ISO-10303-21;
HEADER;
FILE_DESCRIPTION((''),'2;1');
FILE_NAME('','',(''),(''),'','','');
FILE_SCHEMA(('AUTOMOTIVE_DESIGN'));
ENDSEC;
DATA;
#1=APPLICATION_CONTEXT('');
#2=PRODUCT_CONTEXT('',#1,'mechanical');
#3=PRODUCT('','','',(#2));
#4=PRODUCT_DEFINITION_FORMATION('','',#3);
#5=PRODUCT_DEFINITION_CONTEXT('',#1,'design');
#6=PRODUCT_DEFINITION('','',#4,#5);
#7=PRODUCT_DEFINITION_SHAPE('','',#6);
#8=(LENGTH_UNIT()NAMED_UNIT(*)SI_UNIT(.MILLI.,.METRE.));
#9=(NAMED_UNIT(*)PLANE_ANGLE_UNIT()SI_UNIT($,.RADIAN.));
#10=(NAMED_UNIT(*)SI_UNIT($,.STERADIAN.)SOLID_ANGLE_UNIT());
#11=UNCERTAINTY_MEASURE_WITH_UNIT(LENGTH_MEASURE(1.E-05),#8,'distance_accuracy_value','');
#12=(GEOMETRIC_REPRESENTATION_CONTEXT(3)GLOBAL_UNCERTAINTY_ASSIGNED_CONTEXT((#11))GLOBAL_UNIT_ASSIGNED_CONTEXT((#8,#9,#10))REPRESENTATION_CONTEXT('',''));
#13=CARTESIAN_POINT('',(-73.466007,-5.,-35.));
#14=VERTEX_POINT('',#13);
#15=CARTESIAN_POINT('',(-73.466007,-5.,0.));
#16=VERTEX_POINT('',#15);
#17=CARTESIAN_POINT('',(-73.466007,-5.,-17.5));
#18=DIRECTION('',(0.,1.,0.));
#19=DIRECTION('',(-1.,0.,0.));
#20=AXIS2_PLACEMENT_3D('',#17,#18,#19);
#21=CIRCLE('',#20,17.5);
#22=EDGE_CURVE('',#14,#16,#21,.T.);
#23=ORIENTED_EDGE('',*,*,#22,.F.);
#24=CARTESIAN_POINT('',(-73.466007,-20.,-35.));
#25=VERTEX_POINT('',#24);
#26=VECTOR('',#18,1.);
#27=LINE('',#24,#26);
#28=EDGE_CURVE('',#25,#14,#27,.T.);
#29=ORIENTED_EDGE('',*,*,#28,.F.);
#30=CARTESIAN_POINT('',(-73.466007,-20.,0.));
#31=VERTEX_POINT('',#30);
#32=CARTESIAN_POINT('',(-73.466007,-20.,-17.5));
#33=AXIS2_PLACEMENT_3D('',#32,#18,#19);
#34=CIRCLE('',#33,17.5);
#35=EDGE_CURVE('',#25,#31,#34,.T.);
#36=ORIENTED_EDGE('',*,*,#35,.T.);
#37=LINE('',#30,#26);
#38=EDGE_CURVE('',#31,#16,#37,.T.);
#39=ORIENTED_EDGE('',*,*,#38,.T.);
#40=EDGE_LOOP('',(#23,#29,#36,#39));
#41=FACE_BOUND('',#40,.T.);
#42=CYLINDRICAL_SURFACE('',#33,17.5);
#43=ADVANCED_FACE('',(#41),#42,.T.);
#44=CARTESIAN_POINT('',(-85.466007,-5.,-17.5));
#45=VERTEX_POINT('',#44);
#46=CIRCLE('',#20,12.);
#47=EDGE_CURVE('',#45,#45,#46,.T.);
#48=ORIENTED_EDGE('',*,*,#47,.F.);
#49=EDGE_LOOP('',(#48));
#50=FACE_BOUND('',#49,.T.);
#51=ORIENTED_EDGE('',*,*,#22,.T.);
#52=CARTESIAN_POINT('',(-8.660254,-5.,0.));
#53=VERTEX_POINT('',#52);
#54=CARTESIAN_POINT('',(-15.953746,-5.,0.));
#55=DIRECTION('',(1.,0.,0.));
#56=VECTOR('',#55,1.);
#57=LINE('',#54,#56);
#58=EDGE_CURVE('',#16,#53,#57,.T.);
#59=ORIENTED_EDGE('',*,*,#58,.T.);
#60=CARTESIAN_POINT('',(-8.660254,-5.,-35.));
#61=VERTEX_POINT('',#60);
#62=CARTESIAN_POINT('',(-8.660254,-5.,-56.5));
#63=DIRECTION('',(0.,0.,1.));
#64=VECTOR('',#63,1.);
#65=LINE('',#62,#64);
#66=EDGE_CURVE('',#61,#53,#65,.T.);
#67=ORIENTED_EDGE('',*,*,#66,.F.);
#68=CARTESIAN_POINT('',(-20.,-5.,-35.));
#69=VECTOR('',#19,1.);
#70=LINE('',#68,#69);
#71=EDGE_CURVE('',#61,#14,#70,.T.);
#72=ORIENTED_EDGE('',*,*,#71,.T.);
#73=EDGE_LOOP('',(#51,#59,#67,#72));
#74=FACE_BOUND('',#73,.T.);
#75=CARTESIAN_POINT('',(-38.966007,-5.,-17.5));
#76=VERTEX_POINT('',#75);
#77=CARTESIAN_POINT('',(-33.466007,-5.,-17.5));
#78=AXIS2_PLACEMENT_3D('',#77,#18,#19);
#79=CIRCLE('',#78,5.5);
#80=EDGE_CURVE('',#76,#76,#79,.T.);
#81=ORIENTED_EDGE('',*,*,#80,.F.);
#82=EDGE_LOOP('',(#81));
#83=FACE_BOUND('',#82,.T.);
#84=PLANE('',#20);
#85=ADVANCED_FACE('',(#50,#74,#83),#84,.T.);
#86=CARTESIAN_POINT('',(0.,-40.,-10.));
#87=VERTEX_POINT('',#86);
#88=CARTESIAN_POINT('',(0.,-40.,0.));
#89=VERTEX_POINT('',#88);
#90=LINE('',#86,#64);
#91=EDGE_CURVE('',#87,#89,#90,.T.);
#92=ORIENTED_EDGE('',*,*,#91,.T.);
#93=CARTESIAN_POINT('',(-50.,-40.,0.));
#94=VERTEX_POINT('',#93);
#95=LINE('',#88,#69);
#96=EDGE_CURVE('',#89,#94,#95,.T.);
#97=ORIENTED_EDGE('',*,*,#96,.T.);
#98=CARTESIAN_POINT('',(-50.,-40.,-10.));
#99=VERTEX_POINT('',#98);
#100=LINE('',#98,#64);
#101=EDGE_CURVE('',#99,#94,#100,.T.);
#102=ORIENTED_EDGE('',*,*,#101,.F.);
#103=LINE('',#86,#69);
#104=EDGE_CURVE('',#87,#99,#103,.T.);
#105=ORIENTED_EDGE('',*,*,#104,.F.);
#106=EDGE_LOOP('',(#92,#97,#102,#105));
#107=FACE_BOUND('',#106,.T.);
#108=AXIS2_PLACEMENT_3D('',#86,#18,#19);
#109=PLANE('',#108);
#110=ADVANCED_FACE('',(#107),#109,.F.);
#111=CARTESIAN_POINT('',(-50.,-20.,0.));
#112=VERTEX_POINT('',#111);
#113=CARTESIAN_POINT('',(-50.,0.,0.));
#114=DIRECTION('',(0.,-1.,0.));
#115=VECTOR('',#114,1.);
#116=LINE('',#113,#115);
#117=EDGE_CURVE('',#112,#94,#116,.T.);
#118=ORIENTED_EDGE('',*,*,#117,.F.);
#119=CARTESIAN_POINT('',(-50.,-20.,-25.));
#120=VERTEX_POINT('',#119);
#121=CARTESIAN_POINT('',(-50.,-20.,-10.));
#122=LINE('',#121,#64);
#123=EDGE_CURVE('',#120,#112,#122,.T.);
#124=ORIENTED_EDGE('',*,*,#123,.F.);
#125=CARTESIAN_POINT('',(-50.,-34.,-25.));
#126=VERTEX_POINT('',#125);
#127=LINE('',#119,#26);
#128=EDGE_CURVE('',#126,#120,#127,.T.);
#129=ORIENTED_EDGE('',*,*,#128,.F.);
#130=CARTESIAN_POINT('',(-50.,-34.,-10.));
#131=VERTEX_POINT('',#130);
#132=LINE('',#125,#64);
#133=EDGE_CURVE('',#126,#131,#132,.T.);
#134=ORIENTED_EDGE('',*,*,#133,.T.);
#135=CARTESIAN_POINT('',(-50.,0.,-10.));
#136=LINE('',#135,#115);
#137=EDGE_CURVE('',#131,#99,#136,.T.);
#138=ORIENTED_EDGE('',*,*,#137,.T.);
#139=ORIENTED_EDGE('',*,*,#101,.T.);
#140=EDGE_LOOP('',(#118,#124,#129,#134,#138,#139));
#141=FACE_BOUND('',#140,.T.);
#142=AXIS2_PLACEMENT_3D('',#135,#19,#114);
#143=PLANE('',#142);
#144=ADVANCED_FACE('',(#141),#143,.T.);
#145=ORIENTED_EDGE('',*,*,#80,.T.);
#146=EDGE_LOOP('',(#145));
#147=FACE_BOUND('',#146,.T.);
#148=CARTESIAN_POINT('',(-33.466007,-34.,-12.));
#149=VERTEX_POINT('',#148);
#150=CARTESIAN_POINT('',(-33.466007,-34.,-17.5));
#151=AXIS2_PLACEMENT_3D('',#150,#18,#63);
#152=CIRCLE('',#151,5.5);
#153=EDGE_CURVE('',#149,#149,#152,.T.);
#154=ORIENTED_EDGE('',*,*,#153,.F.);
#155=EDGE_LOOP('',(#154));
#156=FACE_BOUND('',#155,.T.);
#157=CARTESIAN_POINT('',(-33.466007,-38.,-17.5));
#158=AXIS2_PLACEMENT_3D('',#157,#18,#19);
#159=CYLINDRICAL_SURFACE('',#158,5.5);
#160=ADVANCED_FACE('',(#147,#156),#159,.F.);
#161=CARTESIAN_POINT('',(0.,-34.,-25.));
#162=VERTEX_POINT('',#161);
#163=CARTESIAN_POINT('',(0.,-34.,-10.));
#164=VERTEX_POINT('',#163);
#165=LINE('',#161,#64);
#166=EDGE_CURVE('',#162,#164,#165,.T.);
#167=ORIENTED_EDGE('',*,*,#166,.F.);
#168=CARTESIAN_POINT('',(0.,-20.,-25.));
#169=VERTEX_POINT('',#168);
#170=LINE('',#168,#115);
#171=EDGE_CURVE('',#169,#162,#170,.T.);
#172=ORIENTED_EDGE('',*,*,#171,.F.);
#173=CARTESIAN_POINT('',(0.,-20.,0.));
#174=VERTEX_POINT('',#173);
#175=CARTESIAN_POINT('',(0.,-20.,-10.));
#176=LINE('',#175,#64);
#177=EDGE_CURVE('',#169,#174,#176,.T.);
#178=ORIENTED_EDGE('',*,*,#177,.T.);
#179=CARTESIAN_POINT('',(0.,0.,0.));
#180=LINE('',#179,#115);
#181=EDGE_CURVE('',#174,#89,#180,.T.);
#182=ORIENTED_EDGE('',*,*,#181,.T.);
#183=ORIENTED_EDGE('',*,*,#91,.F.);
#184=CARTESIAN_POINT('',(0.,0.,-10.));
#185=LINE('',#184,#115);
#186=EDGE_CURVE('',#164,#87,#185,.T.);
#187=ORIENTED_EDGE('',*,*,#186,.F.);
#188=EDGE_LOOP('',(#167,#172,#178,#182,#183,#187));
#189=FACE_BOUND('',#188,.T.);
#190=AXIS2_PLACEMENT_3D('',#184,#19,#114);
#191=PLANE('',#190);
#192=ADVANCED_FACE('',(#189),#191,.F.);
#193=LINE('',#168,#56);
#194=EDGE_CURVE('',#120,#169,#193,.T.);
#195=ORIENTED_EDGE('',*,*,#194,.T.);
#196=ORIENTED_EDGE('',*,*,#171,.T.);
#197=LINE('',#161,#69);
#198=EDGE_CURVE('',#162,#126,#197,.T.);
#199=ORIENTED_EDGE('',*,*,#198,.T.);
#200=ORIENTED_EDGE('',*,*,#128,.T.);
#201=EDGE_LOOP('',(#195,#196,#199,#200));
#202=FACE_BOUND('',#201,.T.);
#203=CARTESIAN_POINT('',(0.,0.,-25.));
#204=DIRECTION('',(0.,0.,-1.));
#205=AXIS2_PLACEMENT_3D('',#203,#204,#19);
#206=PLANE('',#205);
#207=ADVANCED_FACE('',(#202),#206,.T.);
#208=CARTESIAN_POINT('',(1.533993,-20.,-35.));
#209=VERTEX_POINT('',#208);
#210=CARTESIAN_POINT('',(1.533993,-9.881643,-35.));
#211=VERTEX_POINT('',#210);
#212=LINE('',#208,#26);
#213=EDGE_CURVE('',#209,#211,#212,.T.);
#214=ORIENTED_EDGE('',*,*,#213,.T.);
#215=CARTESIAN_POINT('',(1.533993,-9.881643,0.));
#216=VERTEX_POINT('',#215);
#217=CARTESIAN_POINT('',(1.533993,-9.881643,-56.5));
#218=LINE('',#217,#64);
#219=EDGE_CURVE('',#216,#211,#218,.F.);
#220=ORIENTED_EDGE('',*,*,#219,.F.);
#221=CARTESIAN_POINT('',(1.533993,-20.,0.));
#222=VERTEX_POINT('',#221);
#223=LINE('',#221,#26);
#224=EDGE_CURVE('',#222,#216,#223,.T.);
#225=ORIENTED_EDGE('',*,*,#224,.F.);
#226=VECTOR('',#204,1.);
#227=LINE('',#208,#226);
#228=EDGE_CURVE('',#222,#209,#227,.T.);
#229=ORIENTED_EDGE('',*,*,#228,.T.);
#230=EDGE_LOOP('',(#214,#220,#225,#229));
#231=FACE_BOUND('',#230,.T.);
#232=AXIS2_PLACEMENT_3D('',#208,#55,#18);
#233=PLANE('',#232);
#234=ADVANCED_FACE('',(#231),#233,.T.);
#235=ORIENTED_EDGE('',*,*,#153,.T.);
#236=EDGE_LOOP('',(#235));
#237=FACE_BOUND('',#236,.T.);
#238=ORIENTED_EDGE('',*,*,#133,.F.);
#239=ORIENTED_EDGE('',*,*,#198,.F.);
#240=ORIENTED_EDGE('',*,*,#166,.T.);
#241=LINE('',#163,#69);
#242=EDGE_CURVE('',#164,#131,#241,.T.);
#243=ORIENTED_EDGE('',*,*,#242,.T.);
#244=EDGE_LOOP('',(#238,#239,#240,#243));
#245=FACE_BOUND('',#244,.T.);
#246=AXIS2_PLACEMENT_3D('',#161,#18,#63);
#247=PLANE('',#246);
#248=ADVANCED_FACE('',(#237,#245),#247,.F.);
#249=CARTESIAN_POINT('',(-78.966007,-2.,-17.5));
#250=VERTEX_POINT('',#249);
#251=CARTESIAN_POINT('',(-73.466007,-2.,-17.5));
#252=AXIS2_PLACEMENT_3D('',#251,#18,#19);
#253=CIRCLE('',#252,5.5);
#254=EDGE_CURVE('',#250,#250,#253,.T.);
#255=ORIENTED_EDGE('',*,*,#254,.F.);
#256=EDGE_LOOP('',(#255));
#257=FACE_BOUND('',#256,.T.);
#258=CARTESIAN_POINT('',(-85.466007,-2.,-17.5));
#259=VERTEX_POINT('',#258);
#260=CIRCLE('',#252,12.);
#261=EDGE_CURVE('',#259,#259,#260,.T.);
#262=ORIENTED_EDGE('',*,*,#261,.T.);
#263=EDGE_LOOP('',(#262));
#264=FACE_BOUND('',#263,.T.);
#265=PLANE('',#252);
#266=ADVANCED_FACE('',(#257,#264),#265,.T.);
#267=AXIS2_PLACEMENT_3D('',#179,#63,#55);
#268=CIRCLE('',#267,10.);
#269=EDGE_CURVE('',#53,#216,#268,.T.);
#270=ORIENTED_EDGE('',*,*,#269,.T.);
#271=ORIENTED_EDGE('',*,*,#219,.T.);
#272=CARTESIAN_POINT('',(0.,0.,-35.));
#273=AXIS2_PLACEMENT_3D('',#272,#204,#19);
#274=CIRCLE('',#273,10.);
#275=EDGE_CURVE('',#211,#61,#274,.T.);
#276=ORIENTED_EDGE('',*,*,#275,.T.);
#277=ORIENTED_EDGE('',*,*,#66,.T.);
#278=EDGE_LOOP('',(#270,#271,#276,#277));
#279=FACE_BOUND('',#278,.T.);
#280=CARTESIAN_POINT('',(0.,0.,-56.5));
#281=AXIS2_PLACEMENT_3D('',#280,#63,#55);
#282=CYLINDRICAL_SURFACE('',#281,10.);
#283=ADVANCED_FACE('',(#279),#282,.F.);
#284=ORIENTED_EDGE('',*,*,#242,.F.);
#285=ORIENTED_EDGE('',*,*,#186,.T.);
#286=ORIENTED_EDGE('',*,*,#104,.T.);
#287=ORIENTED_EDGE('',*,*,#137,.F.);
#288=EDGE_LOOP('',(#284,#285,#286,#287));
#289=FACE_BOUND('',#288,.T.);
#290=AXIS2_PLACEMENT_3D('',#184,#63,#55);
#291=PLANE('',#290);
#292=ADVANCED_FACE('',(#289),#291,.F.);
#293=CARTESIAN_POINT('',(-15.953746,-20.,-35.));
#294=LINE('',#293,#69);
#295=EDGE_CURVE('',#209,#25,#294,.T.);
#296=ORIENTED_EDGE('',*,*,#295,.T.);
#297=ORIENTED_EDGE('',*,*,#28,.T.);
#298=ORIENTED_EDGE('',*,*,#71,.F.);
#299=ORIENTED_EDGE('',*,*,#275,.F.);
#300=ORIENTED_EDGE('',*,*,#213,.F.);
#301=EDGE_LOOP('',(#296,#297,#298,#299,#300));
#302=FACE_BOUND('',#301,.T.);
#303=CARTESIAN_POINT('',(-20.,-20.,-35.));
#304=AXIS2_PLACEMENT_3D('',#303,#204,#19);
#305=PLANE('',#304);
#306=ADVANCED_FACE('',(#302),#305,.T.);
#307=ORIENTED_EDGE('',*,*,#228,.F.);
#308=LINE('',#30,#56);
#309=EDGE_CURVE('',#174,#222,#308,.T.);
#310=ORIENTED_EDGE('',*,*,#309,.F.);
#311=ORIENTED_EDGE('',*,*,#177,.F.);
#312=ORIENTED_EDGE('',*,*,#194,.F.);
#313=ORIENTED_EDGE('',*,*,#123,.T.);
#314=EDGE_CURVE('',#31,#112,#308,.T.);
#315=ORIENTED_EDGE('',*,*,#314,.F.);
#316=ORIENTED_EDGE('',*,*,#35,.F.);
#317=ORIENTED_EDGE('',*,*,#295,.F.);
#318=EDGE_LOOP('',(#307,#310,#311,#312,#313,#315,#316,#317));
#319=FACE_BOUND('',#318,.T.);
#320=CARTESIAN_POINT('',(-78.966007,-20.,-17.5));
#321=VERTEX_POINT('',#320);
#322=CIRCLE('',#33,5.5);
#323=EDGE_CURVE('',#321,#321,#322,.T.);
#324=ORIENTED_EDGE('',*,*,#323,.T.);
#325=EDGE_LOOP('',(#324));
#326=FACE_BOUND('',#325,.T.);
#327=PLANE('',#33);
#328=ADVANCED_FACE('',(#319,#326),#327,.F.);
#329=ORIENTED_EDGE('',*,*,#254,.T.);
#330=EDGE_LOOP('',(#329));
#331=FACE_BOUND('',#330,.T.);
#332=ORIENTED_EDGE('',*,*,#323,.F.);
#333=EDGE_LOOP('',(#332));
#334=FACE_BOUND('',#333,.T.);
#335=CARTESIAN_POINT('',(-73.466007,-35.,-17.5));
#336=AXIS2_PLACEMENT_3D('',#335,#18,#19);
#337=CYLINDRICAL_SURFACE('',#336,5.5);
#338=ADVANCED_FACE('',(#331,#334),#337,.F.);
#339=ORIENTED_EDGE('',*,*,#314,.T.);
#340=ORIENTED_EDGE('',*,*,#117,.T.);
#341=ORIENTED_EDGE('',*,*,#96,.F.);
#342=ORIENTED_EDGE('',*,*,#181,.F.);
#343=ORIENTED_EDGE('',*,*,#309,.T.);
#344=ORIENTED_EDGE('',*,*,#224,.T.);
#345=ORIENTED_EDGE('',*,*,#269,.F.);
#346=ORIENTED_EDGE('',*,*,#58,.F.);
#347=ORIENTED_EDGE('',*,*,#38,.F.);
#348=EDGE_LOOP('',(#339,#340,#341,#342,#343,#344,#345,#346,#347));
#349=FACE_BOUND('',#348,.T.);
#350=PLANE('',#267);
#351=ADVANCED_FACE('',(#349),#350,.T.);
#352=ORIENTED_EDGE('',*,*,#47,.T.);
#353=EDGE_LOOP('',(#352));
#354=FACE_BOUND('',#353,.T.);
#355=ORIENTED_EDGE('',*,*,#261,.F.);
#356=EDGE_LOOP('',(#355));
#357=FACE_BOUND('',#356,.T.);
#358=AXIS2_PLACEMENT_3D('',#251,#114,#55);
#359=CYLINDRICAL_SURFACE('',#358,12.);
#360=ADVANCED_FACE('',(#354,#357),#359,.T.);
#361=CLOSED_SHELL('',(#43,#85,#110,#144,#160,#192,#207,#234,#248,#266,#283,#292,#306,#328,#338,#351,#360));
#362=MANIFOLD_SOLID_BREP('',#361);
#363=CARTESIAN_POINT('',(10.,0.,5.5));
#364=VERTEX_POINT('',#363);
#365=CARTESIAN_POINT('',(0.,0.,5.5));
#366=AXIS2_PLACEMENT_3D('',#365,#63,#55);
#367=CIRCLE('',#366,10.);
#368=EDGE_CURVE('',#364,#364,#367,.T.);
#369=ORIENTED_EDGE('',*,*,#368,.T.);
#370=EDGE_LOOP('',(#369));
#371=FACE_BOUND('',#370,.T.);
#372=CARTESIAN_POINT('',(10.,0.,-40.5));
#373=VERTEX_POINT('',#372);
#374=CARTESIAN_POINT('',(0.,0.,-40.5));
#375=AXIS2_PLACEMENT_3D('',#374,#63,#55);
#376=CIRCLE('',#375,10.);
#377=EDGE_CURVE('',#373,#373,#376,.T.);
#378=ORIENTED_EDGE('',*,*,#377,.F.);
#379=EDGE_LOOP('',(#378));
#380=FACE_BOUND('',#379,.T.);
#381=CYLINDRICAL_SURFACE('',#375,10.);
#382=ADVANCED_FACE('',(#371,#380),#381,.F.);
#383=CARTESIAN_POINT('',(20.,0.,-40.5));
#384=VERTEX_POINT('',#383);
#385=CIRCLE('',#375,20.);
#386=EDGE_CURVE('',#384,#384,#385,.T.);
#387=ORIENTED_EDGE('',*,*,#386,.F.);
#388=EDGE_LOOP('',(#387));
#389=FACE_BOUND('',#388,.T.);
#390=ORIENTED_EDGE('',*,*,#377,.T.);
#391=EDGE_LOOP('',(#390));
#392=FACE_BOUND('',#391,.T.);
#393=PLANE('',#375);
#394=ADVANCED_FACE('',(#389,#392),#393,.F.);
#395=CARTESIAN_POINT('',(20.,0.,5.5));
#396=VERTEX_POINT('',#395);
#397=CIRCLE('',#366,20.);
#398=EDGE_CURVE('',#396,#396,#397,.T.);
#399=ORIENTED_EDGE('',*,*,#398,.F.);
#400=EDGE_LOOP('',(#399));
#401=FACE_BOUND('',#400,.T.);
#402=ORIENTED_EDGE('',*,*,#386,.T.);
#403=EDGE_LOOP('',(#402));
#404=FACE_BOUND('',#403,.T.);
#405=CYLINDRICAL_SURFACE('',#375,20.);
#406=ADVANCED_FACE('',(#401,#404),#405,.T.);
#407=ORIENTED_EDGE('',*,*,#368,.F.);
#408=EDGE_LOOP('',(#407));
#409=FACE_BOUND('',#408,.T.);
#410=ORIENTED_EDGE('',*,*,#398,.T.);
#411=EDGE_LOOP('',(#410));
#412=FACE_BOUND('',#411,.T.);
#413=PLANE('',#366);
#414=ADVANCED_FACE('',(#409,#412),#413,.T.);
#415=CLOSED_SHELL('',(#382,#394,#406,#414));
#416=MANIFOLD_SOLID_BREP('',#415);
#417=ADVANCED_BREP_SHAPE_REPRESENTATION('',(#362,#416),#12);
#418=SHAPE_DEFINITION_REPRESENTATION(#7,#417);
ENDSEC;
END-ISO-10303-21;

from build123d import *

# Parameters (mm, degrees)
IZIM2_W                     = 50
IZIM2_H                     = 20
Y_KSEKLIK_EKSTR_ZYON1_DEPTH = 10
IZIM5_W                     = 50
IZIM5_H                     = 14
Y_KSEKLIK_EKSTR_ZYON2_DEPTH = 15
IZIM9_R                     = 20
IZIM9_R_2                   = 10
Y_KSEKLIK_EKSTR_ZYON3_DEPTH = 46
Y_KSEKLIK_EKSTR_ZYON4_DEPTH = 15
IZIM10_R                    = 10
KES_EKSTR_ZYON1_DEPTH       = 62
IZIM11_R                    = 12
Y_KSEKLIK_EKSTR_ZYON5_DEPTH = 3
IZIM12_R                    = 5.5
KES_EKSTR_ZYON2_DEPTH       = 33
IZIM13_R                    = 5.5
KES_EKSTR_ZYON3_DEPTH       = 33


with BuildPart() as part:
    # Çizim2 → Yükseklik-Ekstrüzyon1 (new body)
    with BuildSketch(Plane.XY):
        with Locations((-25, -30)):
            Rectangle(IZIM2_W, IZIM2_H)
    extrude(amount=-Y_KSEKLIK_EKSTR_ZYON1_DEPTH)

    # Çizim5 → Yükseklik-Ekstrüzyon2 (add)
    with BuildSketch(Plane(origin=(0, 0, -10), x_dir=(-1, 0, 0), z_dir=(0, 0, -1))):
        with Locations((25, -27)):
            Rectangle(IZIM5_W, IZIM5_H)
    extrude(amount=Y_KSEKLIK_EKSTR_ZYON2_DEPTH)

    # Çizim7 → Yükseklik-Ekstrüzyon4 (add)
    with BuildSketch(Plane(origin=(0, -5, 0), x_dir=(1, 0, 0), z_dir=(0, 1, 0))):
        with BuildLine():
            Line((-73.466007096, 0), (-20, 0))
            Line((-20, 0), (-15.953746438, 0))
            Line((-15.953746438, 0), (1.533992904, 0))
            Line((1.533992904, 0), (1.533992904, 35))
            Line((1.533992904, 35), (-15.953746438, 35))
            Line((-15.953746438, 35), (-20, 35))
            Line((-20, 35), (-73.466007096, 35))
            ThreePointArc((-73.466007096, 35), (-90.966007096, 17.5), (-73.466007096, 0))
        make_face()
    extrude(amount=-Y_KSEKLIK_EKSTR_ZYON4_DEPTH)

    # Çizim10 → Kes-Ekstrüzyon1 (cut)
    with BuildSketch(Plane.XY.offset(5.5)):
        Circle(IZIM10_R)
    extrude(amount=-KES_EKSTR_ZYON1_DEPTH, mode=Mode.SUBTRACT)

    # Çizim11 → Yükseklik-Ekstrüzyon5 (add)
    with BuildSketch(Plane(origin=(0, -5, 0), x_dir=(1, 0, 0), z_dir=(0, 1, 0))):
        with Locations(Location((-73.466007096, 17.5, 0), (0, 0, 180))):
            Circle(IZIM11_R)
    extrude(amount=Y_KSEKLIK_EKSTR_ZYON5_DEPTH)

    # Çizim12 → Kes-Ekstrüzyon2 (cut)
    with BuildSketch(Plane(origin=(0, -2, 0), x_dir=(1, 0, 0), z_dir=(0, 1, 0))):
        with Locations(Location((-73.466007096, 17.5, 0), (0, 0, 180))):
            Circle(IZIM12_R)
    extrude(amount=-KES_EKSTR_ZYON2_DEPTH, mode=Mode.SUBTRACT)

    # Çizim13 → Kes-Ekstrüzyon3 (cut)
    with BuildSketch(Plane(origin=(0, -5, 0), x_dir=(1, 0, 0), z_dir=(0, 1, 0))):
        with Locations(Location((-33.466007096, 17.5, 0), (0, 0, 180))):
            Circle(IZIM13_R)
    extrude(amount=-KES_EKSTR_ZYON3_DEPTH, mode=Mode.SUBTRACT)


with BuildPart() as body_2:
    # Çizim9 → Yükseklik-Ekstrüzyon3 (new body)
    with BuildSketch(Plane.XY.offset(5.5)):
        Circle(IZIM9_R)
        Circle(IZIM9_R_2, mode=Mode.SUBTRACT)
    extrude(amount=-Y_KSEKLIK_EKSTR_ZYON3_DEPTH)


solid = Compound([part.part, body_2.part])
